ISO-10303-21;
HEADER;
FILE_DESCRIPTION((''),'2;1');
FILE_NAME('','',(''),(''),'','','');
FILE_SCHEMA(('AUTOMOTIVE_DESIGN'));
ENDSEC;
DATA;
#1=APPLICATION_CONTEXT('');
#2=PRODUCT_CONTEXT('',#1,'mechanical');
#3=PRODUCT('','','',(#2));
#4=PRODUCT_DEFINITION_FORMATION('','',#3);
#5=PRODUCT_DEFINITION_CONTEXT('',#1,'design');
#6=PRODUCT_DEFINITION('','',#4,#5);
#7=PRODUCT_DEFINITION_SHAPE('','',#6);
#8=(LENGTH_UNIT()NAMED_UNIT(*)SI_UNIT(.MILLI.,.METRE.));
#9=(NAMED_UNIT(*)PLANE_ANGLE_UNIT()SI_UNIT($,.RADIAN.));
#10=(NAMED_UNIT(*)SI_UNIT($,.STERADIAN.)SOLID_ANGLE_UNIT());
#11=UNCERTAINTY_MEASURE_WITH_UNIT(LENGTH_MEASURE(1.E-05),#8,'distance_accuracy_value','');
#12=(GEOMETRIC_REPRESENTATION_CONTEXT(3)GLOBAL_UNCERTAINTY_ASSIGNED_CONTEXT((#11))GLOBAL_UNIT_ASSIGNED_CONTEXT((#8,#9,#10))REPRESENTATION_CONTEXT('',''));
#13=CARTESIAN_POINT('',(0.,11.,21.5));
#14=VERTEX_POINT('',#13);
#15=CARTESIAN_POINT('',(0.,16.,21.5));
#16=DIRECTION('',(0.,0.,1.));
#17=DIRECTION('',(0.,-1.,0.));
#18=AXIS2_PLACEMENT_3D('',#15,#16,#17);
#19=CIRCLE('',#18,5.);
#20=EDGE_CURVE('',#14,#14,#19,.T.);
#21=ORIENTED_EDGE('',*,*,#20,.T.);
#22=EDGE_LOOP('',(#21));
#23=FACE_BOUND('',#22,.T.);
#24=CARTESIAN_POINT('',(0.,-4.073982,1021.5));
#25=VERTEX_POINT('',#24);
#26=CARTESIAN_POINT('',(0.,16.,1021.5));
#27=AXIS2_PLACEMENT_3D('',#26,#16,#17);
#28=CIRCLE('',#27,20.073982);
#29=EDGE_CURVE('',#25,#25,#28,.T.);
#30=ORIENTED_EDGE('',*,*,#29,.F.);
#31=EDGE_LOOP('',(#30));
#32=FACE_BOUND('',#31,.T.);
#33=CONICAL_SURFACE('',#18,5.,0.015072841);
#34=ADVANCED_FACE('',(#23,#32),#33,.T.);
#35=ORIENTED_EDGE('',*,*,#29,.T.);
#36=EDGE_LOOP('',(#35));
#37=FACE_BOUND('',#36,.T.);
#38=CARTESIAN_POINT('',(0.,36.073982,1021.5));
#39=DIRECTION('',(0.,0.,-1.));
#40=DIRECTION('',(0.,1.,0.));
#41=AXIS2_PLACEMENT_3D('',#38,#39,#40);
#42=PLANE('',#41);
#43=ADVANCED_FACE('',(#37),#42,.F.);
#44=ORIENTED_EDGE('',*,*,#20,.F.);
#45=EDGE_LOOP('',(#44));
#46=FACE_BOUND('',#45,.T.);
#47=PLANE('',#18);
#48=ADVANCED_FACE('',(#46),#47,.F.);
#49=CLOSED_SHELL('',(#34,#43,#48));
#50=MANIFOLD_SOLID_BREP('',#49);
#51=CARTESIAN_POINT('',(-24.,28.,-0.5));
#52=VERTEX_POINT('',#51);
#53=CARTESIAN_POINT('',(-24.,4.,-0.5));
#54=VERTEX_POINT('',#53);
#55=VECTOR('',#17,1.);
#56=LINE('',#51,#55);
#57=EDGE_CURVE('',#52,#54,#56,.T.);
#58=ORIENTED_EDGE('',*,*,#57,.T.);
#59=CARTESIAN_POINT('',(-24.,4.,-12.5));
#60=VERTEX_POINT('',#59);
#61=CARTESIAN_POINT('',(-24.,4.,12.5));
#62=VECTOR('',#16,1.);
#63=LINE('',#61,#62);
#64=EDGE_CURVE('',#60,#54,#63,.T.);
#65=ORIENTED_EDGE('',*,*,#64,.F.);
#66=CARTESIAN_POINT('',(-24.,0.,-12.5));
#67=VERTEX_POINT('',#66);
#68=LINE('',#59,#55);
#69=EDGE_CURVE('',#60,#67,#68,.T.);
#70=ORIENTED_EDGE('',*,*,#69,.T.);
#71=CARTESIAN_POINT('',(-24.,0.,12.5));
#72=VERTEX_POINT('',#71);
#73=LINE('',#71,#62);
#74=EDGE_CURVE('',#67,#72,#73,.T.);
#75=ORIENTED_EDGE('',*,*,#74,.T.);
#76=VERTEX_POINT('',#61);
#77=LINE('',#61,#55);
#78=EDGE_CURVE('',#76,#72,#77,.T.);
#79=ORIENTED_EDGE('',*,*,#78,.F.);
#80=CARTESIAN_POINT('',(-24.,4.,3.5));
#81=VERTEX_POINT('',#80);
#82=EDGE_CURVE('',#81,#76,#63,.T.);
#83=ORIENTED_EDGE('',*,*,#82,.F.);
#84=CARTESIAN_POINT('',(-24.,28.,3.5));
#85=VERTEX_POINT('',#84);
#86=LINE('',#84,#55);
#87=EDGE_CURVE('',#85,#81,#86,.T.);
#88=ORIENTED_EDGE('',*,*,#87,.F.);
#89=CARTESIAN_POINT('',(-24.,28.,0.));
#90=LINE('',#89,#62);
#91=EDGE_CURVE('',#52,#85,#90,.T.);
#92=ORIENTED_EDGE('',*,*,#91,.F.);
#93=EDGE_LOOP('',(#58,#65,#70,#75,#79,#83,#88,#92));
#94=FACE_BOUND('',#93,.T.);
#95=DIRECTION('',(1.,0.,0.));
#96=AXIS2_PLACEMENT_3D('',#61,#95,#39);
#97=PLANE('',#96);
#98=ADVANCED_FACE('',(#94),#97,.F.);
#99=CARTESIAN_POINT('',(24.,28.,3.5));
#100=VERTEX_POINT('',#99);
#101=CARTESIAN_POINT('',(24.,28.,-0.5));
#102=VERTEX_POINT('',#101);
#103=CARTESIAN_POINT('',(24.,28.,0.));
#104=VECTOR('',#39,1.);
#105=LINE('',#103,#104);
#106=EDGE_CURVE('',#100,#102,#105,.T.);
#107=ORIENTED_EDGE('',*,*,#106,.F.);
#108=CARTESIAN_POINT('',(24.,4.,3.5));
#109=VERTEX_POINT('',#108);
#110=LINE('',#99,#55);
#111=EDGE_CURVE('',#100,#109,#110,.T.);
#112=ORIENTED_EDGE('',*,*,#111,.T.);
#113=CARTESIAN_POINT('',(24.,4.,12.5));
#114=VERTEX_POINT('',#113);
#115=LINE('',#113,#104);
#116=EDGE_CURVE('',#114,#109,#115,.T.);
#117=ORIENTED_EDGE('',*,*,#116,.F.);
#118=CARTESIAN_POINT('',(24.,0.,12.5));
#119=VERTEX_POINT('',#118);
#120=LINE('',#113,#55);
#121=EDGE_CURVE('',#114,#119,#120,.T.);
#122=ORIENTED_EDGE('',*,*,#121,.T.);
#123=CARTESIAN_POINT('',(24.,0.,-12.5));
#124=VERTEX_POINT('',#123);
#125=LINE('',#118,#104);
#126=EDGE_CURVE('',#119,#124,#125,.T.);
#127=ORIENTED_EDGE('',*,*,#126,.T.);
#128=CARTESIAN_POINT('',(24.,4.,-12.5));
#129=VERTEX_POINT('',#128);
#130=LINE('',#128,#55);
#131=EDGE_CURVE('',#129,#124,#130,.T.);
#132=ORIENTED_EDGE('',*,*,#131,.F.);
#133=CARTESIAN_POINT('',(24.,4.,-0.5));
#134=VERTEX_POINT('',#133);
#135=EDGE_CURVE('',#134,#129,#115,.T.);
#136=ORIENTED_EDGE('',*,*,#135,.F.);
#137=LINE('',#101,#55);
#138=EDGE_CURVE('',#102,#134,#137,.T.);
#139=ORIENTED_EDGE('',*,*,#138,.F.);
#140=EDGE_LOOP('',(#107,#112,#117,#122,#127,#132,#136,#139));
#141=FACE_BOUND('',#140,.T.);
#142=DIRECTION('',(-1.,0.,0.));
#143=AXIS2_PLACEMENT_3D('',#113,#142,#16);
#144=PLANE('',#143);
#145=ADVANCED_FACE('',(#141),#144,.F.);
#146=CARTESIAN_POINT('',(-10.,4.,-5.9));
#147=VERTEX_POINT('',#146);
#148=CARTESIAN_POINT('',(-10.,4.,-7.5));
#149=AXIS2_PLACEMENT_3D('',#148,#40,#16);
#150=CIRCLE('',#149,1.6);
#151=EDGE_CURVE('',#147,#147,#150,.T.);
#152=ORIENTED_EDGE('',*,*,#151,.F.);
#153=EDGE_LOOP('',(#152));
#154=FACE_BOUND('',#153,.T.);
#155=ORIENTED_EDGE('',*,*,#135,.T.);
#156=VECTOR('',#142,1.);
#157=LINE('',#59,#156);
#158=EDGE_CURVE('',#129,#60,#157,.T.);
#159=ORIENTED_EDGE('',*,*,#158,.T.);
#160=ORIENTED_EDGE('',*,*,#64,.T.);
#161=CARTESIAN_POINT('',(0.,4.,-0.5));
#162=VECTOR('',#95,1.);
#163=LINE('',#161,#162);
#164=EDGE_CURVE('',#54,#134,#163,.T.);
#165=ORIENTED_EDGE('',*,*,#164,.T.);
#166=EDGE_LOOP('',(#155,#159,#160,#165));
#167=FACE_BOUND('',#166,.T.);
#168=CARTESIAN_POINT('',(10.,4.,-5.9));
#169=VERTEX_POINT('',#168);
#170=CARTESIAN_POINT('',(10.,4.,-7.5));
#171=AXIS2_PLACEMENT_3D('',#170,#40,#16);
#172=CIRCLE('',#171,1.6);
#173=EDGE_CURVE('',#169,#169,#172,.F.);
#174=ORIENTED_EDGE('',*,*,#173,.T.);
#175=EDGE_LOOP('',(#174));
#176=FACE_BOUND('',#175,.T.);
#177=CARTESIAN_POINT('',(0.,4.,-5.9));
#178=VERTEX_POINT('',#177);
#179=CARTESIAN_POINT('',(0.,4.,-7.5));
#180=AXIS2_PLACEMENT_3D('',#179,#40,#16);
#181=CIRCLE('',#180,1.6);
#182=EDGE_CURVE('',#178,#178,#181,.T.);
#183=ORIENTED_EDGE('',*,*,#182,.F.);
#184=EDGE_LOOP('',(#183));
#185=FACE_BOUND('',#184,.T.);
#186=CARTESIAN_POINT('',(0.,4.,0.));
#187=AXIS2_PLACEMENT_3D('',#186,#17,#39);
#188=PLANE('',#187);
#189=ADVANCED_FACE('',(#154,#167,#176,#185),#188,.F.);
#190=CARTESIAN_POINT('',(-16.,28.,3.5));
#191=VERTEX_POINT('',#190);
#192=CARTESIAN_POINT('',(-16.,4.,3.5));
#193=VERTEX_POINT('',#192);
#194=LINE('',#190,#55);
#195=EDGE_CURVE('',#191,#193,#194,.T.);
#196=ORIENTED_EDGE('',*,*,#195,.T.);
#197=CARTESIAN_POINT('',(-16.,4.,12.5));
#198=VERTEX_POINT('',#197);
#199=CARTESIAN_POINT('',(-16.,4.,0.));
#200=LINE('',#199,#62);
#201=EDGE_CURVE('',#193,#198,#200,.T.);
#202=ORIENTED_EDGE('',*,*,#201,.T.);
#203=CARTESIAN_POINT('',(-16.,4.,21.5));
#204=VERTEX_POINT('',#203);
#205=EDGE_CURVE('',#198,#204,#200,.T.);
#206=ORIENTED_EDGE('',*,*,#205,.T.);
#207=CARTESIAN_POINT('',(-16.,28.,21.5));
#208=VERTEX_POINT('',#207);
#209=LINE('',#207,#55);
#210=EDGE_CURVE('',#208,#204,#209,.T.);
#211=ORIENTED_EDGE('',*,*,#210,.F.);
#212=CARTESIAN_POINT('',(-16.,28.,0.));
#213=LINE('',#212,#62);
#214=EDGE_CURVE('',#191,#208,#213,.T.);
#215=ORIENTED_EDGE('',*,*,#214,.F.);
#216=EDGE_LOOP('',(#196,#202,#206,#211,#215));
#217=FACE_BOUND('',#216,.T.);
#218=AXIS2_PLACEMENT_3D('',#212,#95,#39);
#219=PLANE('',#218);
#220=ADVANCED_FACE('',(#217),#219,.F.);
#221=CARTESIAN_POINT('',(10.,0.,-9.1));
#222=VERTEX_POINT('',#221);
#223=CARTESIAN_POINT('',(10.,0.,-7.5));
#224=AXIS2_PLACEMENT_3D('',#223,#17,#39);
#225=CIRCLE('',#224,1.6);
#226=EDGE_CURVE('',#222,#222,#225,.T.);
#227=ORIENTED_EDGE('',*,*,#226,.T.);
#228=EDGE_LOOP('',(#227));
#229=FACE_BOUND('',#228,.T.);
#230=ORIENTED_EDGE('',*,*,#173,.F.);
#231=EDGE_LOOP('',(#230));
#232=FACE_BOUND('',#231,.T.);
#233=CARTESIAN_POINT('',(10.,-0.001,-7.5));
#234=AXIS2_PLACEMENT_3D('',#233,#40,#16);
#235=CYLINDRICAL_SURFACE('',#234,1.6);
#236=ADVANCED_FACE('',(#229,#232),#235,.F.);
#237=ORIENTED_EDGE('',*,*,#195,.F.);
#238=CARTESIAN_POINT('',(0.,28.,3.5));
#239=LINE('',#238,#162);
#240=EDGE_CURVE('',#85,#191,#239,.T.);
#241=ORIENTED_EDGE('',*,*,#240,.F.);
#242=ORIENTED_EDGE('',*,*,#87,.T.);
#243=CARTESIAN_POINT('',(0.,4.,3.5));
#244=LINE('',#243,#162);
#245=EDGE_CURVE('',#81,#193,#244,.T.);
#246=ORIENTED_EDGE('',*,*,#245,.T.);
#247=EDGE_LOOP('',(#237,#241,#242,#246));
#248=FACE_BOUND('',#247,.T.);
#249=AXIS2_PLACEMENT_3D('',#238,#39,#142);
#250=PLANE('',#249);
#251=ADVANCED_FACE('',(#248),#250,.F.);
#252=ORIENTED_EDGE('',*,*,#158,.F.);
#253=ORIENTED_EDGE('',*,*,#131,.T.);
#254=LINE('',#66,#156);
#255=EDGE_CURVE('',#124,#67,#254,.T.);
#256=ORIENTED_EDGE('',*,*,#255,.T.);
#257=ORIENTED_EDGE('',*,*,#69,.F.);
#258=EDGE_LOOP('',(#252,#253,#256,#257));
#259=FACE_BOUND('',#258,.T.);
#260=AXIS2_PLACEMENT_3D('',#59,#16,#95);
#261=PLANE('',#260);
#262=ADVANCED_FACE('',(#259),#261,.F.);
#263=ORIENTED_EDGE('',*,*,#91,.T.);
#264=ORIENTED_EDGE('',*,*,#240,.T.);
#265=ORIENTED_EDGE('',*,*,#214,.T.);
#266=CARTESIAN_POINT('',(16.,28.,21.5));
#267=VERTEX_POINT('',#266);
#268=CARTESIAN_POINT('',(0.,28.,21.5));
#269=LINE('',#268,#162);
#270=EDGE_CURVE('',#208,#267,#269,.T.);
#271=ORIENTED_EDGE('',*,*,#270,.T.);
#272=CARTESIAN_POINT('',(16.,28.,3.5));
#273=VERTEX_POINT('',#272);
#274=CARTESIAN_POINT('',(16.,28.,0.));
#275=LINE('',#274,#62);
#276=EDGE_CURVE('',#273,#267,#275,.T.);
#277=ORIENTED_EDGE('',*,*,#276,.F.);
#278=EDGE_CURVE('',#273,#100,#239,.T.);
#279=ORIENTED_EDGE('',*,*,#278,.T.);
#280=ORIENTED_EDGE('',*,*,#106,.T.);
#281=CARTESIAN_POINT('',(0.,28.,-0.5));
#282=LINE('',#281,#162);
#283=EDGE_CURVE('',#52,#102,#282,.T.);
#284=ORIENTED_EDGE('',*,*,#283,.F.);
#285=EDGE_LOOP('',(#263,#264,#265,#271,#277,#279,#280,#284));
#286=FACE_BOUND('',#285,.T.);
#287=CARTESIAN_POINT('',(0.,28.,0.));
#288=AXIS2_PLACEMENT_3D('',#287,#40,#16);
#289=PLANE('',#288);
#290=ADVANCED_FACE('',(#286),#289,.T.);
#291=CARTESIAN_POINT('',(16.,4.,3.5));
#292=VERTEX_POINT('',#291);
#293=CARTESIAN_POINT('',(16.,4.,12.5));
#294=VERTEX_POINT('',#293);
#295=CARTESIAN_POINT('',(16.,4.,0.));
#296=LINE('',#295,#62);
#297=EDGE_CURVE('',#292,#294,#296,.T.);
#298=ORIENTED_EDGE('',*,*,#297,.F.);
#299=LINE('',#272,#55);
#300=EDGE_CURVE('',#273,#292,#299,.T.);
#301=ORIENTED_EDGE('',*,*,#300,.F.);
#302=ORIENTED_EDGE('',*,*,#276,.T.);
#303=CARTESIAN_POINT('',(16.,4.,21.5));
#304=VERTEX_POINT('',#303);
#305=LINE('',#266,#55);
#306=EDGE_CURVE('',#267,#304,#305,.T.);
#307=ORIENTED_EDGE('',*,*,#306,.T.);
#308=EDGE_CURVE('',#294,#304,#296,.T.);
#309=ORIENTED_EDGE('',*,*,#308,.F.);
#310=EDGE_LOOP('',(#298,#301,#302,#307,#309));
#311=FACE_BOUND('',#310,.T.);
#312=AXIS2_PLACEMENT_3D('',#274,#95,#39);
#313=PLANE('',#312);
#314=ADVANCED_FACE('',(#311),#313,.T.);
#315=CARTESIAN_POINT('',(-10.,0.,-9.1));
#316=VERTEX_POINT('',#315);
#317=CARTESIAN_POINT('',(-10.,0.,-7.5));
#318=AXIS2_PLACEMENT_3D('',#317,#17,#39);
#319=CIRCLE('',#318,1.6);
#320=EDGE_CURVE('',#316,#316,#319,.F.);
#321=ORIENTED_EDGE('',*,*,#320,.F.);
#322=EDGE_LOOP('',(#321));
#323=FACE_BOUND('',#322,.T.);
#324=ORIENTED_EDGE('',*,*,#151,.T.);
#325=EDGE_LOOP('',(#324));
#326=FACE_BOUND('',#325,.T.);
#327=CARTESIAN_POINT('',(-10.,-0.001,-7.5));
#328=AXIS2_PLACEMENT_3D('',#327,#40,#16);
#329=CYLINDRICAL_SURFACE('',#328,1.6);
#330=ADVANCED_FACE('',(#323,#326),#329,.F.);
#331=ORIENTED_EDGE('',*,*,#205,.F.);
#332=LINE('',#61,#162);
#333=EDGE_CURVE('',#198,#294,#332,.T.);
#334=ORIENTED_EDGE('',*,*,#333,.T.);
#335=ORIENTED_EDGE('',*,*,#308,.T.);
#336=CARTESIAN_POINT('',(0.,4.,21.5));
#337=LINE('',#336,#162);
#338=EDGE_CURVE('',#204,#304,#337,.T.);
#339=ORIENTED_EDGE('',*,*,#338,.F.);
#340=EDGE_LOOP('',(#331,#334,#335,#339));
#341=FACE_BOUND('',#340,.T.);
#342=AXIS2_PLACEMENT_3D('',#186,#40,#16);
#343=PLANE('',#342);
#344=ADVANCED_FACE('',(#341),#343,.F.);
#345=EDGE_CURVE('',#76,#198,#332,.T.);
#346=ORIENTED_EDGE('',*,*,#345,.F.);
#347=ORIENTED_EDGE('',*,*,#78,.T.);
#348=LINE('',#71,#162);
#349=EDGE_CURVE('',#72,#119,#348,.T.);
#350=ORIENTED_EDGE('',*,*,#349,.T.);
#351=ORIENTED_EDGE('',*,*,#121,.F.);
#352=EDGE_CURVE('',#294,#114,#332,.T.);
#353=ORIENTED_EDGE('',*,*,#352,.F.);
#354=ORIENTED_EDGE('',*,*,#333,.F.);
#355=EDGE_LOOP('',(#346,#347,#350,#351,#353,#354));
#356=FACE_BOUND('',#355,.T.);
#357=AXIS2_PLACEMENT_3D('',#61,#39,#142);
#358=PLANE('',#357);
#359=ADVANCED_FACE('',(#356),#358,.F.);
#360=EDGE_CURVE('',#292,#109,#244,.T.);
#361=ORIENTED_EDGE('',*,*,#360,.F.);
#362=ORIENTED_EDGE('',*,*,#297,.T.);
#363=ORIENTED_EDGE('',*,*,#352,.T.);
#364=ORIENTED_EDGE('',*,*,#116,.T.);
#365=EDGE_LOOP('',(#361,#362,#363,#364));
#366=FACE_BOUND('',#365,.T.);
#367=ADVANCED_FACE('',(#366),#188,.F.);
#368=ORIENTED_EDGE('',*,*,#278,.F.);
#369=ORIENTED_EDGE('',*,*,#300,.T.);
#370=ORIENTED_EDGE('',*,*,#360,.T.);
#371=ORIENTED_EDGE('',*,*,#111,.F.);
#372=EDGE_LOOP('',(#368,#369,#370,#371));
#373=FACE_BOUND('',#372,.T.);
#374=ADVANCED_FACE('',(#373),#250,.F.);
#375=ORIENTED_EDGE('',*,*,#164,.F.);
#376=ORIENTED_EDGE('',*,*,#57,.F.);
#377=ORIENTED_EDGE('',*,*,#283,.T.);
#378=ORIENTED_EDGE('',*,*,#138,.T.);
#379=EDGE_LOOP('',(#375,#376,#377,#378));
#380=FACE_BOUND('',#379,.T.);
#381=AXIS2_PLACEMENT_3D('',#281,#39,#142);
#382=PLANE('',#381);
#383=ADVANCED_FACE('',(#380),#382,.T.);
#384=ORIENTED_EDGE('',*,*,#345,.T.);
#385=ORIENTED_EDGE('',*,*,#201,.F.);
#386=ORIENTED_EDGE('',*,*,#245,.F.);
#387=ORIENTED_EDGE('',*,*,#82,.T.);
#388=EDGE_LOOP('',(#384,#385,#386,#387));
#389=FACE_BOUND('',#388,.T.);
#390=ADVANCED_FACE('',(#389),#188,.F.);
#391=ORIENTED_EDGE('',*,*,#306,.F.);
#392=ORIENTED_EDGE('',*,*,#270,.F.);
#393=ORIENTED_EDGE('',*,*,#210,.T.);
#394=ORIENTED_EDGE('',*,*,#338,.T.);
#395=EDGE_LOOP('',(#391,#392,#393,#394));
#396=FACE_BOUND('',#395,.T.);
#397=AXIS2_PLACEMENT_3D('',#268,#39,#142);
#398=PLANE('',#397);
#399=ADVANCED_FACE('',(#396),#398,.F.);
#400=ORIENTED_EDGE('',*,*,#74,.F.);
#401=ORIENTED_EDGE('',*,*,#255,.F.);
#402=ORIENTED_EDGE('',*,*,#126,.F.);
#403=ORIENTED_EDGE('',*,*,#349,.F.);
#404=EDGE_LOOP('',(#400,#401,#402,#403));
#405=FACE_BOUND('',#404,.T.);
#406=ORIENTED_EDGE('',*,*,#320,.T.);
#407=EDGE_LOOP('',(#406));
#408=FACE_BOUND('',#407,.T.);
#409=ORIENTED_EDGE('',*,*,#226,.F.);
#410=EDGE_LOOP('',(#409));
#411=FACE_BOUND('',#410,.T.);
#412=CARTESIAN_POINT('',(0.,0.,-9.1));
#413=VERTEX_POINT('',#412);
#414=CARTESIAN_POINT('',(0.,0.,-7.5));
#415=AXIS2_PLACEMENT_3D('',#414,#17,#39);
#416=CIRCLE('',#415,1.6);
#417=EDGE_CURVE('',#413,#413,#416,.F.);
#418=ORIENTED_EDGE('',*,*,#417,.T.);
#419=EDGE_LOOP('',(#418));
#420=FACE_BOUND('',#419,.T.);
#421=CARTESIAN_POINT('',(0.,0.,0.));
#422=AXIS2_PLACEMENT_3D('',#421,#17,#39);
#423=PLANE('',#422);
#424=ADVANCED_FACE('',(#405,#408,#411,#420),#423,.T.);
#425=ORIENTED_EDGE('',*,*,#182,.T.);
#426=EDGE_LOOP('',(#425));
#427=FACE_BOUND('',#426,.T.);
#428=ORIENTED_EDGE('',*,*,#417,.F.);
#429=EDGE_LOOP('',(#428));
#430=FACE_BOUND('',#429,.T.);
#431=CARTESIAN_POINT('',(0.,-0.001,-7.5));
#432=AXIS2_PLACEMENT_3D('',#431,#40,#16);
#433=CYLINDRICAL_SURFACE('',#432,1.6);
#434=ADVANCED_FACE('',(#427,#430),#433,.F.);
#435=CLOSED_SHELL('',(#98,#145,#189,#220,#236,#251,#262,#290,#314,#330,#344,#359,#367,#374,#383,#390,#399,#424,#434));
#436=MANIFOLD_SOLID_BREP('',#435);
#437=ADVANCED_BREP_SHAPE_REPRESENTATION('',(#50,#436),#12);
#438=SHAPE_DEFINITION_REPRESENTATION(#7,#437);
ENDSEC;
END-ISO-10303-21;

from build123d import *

# Parameters (mm, degrees)
SKETCH1_W           = 48
SKETCH1_H           = 25
BOSS_EXTRUDE1_DEPTH = 4
BOSS_EXTRUDE2_DEPTH = 24
CUT_EXTRUDE1_REACH  = 42.178
SKETCH2_4_R         = 1.6


with BuildPart() as part:
    # Sketch1 → Boss-Extrude1 (new body)
    with BuildSketch(Plane(origin=(0, 0, 0), x_dir=(1, 0, 0), z_dir=(0, 1, 0))):
        Rectangle(SKETCH1_W, SKETCH1_H)
    extrude(amount=BOSS_EXTRUDE1_DEPTH)

    # Sketch2 → Boss-Extrude2 (add)
    with BuildSketch(Plane(origin=(0, 4, 0), x_dir=(1, 0, 0), z_dir=(0, 1, 0))):
        Polygon((24, 0.5), (-24, 0.5), (-24, -3.5), (-16, -3.5), (-16, -21.5), (16, -21.5), (16, -3.5), (24, -3.5), align=None)
    extrude(amount=BOSS_EXTRUDE2_DEPTH)

    # Sketch2<4> → Cut-Extrude1 (cut, up to next)
    with BuildSketch(Plane(origin=(0, 4, 0), x_dir=(1, 0, 0), z_dir=(0, 1, 0)), mode=Mode.PRIVATE) as cut_extrude1_sk1:
        with Locations((0, 7.5)):
            Circle(SKETCH2_4_R)
    cut_extrude1_tool1 = extrude(cut_extrude1_sk1.sketch, amount=-CUT_EXTRUDE1_REACH, mode=Mode.PRIVATE) & part.part
    # Sketch2<4> → Cut-Extrude1 (cut, up to next)
    with BuildSketch(Plane(origin=(0, 4, 0), x_dir=(1, 0, 0), z_dir=(0, 1, 0)), mode=Mode.PRIVATE) as cut_extrude1_sk2:
        with Locations((-10, 7.5)):
            Circle(SKETCH2_4_R)
    cut_extrude1_tool2 = extrude(cut_extrude1_sk2.sketch, amount=-CUT_EXTRUDE1_REACH, mode=Mode.PRIVATE) & part.part
    # Sketch2<4> → Cut-Extrude1 (cut, up to next)
    with BuildSketch(Plane(origin=(0, 4, 0), x_dir=(1, 0, 0), z_dir=(0, 1, 0)), mode=Mode.PRIVATE) as cut_extrude1_sk3:
        with Locations((10, 7.5)):
            Circle(SKETCH2_4_R)
    cut_extrude1_tool3 = extrude(cut_extrude1_sk3.sketch, amount=-CUT_EXTRUDE1_REACH, mode=Mode.PRIVATE) & part.part
    add(cut_extrude1_tool1.solids().sort_by_distance((0, 4, -7.5))[0], mode=Mode.SUBTRACT)
    add(cut_extrude1_tool2.solids().sort_by_distance((-10, 4, -7.5))[0], mode=Mode.SUBTRACT)
    add(cut_extrude1_tool3.solids().sort_by_distance((10, 4, -7.5))[0], mode=Mode.SUBTRACT)


with BuildPart() as body_2:
    # Sketch3 → Revolve1 (revolve)
    with BuildSketch(Plane(origin=(0, 0, 0), x_dir=(0, 0, -1), z_dir=(1, 0, 0))):
        Polygon((-1021.5, 36.073982115), (-1021.5, 16), (-21.5, 16), (-21.5, 21), align=None)
    revolve(axis=Axis((0, 16, 1021.5), (0, 0, -1)))


solid = Compound([part.part, body_2.part])
